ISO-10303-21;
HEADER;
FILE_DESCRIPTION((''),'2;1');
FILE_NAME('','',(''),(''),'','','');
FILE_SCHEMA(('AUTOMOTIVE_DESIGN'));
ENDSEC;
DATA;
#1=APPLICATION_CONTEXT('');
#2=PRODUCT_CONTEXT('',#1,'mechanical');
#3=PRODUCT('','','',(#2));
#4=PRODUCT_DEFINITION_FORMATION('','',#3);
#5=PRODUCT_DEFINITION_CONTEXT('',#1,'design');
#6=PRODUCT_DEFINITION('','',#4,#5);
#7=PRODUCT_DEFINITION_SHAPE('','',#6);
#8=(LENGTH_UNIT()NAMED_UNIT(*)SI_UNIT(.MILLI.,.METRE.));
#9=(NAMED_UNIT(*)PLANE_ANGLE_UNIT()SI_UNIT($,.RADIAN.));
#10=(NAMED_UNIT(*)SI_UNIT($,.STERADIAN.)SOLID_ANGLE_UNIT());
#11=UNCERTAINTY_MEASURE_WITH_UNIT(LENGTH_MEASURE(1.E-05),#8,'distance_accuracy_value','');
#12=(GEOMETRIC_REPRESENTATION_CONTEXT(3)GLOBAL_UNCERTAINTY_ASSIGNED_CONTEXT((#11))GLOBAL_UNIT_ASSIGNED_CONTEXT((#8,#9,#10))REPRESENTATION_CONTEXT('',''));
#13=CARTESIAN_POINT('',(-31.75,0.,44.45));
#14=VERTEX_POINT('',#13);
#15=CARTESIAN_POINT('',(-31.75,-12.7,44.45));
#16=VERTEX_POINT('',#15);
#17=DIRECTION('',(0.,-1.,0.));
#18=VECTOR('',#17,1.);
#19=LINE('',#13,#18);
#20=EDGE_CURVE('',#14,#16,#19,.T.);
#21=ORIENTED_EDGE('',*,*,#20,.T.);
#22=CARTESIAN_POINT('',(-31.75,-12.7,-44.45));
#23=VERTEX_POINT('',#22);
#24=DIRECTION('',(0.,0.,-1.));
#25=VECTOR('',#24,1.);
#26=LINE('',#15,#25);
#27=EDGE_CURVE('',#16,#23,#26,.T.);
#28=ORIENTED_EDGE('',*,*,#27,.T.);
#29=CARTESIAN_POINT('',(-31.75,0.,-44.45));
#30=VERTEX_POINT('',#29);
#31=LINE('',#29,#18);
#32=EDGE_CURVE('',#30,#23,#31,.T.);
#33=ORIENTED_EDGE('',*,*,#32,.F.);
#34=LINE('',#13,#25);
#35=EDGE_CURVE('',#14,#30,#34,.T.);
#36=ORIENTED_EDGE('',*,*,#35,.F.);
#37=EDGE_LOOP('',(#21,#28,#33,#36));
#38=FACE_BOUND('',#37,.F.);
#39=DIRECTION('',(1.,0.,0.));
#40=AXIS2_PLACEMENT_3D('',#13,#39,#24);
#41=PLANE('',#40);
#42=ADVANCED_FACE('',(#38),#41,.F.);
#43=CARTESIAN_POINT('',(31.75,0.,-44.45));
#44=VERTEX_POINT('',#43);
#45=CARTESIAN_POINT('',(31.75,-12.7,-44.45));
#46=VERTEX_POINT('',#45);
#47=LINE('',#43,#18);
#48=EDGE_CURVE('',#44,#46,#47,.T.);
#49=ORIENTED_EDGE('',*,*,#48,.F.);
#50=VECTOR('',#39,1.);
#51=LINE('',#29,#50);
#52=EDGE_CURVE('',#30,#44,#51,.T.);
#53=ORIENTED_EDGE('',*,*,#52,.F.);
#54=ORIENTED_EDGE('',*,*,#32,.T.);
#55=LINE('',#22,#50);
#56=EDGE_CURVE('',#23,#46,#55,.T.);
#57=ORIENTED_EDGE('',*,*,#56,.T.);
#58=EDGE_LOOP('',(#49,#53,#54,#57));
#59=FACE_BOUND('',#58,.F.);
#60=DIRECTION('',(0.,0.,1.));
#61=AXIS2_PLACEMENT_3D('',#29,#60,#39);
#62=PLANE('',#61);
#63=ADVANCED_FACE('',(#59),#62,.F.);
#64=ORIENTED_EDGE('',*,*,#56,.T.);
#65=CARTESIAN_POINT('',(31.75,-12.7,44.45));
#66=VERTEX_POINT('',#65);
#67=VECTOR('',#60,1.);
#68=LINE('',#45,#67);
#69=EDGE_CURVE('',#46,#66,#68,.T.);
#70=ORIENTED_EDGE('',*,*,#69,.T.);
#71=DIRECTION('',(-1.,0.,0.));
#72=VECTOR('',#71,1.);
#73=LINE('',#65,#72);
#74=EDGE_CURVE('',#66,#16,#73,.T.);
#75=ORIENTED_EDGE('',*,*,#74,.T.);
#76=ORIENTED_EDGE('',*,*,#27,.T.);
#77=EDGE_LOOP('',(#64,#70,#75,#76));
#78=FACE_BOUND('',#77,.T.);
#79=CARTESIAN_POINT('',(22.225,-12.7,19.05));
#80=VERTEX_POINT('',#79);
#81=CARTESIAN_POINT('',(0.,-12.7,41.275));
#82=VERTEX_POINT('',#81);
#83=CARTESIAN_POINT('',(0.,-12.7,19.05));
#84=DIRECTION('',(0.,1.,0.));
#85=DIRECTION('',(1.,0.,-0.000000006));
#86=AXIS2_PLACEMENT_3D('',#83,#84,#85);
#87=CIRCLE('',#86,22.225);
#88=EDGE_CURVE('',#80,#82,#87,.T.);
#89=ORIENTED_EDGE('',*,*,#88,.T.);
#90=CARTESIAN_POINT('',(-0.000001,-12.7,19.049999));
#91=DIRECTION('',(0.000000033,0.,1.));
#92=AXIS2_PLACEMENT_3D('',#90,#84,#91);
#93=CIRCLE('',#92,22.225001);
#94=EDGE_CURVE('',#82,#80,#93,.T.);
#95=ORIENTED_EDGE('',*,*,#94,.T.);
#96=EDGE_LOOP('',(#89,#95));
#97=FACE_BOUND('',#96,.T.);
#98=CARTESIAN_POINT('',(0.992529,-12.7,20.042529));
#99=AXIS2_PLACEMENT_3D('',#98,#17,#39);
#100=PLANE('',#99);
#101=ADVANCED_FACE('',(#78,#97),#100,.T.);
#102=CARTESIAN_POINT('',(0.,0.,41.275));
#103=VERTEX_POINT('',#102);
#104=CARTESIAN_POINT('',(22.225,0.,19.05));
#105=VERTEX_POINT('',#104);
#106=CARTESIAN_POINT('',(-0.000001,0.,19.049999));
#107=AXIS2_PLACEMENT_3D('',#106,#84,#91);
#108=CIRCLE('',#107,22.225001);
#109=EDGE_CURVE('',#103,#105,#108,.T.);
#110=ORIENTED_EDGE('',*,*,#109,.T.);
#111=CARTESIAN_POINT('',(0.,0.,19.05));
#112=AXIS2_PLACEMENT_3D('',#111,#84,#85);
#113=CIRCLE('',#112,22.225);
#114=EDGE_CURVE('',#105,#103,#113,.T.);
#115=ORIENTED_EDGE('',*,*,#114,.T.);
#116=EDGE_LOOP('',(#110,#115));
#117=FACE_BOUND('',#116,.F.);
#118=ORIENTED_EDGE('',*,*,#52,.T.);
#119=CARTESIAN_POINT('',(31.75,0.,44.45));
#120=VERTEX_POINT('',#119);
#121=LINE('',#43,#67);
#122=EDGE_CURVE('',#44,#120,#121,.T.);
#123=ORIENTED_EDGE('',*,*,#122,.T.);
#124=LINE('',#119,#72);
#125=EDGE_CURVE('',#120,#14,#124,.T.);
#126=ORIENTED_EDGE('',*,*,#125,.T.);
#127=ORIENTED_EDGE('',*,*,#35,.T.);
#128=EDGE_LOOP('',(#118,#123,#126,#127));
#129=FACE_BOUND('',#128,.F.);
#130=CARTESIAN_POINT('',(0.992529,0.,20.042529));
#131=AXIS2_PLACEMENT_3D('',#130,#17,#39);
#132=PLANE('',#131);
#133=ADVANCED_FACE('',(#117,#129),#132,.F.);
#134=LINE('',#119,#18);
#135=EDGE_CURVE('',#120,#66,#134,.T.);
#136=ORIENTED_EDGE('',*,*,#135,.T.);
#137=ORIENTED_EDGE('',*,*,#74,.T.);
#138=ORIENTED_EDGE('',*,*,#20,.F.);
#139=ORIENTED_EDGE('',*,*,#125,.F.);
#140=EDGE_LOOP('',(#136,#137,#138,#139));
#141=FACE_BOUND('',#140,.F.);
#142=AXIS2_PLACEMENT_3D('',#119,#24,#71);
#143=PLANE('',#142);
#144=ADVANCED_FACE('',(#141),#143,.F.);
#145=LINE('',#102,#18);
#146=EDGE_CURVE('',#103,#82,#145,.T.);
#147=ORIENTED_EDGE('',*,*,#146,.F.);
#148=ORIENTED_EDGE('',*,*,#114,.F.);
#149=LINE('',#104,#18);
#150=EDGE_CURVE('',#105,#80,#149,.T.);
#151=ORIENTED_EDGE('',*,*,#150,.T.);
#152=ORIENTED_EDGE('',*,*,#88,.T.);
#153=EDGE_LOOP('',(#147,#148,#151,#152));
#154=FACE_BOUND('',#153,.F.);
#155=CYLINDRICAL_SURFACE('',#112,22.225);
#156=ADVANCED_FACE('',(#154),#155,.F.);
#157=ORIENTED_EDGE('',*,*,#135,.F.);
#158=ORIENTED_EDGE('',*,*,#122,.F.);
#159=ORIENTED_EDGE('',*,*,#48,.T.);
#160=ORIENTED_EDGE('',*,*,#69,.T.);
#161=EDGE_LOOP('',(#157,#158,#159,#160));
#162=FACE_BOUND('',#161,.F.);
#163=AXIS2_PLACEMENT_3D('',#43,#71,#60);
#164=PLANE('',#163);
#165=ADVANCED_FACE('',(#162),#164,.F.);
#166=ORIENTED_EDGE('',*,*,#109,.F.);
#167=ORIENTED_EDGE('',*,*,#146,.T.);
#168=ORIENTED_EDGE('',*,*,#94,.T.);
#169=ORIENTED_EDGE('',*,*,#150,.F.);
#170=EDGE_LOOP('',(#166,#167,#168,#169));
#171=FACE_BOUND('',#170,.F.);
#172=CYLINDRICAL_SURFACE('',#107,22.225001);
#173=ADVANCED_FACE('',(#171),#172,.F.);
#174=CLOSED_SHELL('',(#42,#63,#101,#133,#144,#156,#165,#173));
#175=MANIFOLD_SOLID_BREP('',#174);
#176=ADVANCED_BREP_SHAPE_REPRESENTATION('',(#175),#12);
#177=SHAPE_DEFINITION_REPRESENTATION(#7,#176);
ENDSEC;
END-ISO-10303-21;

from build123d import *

# Parameters (mm, degrees)
F1_DEPTH = 12.7


with BuildPart() as f1:
    # F0 (on Front) → F1 (new body)
    with BuildSketch(Plane.XZ):
        with BuildLine():
            ThreePointArc((22.225, 19.05), (15.715448, 34.765448), (0, 41.275))
            ThreePointArc((0, 41.275), (-15.715448, 3.334552), (22.225, 19.05))
        make_face()
        Polygon((0, 44.45), (-31.75, 44.45), (-31.75, -44.45), (31.75, -44.45), (31.75, 44.45), align=None)
        with BuildLine():
            ThreePointArc((22.225, 19.05), (-15.715448, 3.334552), (0, 41.275))
            ThreePointArc((0, 41.275), (15.715448, 34.765448), (22.225, 19.05))
        make_face(mode=Mode.SUBTRACT)
    extrude(amount=F1_DEPTH)


solid = f1.part
